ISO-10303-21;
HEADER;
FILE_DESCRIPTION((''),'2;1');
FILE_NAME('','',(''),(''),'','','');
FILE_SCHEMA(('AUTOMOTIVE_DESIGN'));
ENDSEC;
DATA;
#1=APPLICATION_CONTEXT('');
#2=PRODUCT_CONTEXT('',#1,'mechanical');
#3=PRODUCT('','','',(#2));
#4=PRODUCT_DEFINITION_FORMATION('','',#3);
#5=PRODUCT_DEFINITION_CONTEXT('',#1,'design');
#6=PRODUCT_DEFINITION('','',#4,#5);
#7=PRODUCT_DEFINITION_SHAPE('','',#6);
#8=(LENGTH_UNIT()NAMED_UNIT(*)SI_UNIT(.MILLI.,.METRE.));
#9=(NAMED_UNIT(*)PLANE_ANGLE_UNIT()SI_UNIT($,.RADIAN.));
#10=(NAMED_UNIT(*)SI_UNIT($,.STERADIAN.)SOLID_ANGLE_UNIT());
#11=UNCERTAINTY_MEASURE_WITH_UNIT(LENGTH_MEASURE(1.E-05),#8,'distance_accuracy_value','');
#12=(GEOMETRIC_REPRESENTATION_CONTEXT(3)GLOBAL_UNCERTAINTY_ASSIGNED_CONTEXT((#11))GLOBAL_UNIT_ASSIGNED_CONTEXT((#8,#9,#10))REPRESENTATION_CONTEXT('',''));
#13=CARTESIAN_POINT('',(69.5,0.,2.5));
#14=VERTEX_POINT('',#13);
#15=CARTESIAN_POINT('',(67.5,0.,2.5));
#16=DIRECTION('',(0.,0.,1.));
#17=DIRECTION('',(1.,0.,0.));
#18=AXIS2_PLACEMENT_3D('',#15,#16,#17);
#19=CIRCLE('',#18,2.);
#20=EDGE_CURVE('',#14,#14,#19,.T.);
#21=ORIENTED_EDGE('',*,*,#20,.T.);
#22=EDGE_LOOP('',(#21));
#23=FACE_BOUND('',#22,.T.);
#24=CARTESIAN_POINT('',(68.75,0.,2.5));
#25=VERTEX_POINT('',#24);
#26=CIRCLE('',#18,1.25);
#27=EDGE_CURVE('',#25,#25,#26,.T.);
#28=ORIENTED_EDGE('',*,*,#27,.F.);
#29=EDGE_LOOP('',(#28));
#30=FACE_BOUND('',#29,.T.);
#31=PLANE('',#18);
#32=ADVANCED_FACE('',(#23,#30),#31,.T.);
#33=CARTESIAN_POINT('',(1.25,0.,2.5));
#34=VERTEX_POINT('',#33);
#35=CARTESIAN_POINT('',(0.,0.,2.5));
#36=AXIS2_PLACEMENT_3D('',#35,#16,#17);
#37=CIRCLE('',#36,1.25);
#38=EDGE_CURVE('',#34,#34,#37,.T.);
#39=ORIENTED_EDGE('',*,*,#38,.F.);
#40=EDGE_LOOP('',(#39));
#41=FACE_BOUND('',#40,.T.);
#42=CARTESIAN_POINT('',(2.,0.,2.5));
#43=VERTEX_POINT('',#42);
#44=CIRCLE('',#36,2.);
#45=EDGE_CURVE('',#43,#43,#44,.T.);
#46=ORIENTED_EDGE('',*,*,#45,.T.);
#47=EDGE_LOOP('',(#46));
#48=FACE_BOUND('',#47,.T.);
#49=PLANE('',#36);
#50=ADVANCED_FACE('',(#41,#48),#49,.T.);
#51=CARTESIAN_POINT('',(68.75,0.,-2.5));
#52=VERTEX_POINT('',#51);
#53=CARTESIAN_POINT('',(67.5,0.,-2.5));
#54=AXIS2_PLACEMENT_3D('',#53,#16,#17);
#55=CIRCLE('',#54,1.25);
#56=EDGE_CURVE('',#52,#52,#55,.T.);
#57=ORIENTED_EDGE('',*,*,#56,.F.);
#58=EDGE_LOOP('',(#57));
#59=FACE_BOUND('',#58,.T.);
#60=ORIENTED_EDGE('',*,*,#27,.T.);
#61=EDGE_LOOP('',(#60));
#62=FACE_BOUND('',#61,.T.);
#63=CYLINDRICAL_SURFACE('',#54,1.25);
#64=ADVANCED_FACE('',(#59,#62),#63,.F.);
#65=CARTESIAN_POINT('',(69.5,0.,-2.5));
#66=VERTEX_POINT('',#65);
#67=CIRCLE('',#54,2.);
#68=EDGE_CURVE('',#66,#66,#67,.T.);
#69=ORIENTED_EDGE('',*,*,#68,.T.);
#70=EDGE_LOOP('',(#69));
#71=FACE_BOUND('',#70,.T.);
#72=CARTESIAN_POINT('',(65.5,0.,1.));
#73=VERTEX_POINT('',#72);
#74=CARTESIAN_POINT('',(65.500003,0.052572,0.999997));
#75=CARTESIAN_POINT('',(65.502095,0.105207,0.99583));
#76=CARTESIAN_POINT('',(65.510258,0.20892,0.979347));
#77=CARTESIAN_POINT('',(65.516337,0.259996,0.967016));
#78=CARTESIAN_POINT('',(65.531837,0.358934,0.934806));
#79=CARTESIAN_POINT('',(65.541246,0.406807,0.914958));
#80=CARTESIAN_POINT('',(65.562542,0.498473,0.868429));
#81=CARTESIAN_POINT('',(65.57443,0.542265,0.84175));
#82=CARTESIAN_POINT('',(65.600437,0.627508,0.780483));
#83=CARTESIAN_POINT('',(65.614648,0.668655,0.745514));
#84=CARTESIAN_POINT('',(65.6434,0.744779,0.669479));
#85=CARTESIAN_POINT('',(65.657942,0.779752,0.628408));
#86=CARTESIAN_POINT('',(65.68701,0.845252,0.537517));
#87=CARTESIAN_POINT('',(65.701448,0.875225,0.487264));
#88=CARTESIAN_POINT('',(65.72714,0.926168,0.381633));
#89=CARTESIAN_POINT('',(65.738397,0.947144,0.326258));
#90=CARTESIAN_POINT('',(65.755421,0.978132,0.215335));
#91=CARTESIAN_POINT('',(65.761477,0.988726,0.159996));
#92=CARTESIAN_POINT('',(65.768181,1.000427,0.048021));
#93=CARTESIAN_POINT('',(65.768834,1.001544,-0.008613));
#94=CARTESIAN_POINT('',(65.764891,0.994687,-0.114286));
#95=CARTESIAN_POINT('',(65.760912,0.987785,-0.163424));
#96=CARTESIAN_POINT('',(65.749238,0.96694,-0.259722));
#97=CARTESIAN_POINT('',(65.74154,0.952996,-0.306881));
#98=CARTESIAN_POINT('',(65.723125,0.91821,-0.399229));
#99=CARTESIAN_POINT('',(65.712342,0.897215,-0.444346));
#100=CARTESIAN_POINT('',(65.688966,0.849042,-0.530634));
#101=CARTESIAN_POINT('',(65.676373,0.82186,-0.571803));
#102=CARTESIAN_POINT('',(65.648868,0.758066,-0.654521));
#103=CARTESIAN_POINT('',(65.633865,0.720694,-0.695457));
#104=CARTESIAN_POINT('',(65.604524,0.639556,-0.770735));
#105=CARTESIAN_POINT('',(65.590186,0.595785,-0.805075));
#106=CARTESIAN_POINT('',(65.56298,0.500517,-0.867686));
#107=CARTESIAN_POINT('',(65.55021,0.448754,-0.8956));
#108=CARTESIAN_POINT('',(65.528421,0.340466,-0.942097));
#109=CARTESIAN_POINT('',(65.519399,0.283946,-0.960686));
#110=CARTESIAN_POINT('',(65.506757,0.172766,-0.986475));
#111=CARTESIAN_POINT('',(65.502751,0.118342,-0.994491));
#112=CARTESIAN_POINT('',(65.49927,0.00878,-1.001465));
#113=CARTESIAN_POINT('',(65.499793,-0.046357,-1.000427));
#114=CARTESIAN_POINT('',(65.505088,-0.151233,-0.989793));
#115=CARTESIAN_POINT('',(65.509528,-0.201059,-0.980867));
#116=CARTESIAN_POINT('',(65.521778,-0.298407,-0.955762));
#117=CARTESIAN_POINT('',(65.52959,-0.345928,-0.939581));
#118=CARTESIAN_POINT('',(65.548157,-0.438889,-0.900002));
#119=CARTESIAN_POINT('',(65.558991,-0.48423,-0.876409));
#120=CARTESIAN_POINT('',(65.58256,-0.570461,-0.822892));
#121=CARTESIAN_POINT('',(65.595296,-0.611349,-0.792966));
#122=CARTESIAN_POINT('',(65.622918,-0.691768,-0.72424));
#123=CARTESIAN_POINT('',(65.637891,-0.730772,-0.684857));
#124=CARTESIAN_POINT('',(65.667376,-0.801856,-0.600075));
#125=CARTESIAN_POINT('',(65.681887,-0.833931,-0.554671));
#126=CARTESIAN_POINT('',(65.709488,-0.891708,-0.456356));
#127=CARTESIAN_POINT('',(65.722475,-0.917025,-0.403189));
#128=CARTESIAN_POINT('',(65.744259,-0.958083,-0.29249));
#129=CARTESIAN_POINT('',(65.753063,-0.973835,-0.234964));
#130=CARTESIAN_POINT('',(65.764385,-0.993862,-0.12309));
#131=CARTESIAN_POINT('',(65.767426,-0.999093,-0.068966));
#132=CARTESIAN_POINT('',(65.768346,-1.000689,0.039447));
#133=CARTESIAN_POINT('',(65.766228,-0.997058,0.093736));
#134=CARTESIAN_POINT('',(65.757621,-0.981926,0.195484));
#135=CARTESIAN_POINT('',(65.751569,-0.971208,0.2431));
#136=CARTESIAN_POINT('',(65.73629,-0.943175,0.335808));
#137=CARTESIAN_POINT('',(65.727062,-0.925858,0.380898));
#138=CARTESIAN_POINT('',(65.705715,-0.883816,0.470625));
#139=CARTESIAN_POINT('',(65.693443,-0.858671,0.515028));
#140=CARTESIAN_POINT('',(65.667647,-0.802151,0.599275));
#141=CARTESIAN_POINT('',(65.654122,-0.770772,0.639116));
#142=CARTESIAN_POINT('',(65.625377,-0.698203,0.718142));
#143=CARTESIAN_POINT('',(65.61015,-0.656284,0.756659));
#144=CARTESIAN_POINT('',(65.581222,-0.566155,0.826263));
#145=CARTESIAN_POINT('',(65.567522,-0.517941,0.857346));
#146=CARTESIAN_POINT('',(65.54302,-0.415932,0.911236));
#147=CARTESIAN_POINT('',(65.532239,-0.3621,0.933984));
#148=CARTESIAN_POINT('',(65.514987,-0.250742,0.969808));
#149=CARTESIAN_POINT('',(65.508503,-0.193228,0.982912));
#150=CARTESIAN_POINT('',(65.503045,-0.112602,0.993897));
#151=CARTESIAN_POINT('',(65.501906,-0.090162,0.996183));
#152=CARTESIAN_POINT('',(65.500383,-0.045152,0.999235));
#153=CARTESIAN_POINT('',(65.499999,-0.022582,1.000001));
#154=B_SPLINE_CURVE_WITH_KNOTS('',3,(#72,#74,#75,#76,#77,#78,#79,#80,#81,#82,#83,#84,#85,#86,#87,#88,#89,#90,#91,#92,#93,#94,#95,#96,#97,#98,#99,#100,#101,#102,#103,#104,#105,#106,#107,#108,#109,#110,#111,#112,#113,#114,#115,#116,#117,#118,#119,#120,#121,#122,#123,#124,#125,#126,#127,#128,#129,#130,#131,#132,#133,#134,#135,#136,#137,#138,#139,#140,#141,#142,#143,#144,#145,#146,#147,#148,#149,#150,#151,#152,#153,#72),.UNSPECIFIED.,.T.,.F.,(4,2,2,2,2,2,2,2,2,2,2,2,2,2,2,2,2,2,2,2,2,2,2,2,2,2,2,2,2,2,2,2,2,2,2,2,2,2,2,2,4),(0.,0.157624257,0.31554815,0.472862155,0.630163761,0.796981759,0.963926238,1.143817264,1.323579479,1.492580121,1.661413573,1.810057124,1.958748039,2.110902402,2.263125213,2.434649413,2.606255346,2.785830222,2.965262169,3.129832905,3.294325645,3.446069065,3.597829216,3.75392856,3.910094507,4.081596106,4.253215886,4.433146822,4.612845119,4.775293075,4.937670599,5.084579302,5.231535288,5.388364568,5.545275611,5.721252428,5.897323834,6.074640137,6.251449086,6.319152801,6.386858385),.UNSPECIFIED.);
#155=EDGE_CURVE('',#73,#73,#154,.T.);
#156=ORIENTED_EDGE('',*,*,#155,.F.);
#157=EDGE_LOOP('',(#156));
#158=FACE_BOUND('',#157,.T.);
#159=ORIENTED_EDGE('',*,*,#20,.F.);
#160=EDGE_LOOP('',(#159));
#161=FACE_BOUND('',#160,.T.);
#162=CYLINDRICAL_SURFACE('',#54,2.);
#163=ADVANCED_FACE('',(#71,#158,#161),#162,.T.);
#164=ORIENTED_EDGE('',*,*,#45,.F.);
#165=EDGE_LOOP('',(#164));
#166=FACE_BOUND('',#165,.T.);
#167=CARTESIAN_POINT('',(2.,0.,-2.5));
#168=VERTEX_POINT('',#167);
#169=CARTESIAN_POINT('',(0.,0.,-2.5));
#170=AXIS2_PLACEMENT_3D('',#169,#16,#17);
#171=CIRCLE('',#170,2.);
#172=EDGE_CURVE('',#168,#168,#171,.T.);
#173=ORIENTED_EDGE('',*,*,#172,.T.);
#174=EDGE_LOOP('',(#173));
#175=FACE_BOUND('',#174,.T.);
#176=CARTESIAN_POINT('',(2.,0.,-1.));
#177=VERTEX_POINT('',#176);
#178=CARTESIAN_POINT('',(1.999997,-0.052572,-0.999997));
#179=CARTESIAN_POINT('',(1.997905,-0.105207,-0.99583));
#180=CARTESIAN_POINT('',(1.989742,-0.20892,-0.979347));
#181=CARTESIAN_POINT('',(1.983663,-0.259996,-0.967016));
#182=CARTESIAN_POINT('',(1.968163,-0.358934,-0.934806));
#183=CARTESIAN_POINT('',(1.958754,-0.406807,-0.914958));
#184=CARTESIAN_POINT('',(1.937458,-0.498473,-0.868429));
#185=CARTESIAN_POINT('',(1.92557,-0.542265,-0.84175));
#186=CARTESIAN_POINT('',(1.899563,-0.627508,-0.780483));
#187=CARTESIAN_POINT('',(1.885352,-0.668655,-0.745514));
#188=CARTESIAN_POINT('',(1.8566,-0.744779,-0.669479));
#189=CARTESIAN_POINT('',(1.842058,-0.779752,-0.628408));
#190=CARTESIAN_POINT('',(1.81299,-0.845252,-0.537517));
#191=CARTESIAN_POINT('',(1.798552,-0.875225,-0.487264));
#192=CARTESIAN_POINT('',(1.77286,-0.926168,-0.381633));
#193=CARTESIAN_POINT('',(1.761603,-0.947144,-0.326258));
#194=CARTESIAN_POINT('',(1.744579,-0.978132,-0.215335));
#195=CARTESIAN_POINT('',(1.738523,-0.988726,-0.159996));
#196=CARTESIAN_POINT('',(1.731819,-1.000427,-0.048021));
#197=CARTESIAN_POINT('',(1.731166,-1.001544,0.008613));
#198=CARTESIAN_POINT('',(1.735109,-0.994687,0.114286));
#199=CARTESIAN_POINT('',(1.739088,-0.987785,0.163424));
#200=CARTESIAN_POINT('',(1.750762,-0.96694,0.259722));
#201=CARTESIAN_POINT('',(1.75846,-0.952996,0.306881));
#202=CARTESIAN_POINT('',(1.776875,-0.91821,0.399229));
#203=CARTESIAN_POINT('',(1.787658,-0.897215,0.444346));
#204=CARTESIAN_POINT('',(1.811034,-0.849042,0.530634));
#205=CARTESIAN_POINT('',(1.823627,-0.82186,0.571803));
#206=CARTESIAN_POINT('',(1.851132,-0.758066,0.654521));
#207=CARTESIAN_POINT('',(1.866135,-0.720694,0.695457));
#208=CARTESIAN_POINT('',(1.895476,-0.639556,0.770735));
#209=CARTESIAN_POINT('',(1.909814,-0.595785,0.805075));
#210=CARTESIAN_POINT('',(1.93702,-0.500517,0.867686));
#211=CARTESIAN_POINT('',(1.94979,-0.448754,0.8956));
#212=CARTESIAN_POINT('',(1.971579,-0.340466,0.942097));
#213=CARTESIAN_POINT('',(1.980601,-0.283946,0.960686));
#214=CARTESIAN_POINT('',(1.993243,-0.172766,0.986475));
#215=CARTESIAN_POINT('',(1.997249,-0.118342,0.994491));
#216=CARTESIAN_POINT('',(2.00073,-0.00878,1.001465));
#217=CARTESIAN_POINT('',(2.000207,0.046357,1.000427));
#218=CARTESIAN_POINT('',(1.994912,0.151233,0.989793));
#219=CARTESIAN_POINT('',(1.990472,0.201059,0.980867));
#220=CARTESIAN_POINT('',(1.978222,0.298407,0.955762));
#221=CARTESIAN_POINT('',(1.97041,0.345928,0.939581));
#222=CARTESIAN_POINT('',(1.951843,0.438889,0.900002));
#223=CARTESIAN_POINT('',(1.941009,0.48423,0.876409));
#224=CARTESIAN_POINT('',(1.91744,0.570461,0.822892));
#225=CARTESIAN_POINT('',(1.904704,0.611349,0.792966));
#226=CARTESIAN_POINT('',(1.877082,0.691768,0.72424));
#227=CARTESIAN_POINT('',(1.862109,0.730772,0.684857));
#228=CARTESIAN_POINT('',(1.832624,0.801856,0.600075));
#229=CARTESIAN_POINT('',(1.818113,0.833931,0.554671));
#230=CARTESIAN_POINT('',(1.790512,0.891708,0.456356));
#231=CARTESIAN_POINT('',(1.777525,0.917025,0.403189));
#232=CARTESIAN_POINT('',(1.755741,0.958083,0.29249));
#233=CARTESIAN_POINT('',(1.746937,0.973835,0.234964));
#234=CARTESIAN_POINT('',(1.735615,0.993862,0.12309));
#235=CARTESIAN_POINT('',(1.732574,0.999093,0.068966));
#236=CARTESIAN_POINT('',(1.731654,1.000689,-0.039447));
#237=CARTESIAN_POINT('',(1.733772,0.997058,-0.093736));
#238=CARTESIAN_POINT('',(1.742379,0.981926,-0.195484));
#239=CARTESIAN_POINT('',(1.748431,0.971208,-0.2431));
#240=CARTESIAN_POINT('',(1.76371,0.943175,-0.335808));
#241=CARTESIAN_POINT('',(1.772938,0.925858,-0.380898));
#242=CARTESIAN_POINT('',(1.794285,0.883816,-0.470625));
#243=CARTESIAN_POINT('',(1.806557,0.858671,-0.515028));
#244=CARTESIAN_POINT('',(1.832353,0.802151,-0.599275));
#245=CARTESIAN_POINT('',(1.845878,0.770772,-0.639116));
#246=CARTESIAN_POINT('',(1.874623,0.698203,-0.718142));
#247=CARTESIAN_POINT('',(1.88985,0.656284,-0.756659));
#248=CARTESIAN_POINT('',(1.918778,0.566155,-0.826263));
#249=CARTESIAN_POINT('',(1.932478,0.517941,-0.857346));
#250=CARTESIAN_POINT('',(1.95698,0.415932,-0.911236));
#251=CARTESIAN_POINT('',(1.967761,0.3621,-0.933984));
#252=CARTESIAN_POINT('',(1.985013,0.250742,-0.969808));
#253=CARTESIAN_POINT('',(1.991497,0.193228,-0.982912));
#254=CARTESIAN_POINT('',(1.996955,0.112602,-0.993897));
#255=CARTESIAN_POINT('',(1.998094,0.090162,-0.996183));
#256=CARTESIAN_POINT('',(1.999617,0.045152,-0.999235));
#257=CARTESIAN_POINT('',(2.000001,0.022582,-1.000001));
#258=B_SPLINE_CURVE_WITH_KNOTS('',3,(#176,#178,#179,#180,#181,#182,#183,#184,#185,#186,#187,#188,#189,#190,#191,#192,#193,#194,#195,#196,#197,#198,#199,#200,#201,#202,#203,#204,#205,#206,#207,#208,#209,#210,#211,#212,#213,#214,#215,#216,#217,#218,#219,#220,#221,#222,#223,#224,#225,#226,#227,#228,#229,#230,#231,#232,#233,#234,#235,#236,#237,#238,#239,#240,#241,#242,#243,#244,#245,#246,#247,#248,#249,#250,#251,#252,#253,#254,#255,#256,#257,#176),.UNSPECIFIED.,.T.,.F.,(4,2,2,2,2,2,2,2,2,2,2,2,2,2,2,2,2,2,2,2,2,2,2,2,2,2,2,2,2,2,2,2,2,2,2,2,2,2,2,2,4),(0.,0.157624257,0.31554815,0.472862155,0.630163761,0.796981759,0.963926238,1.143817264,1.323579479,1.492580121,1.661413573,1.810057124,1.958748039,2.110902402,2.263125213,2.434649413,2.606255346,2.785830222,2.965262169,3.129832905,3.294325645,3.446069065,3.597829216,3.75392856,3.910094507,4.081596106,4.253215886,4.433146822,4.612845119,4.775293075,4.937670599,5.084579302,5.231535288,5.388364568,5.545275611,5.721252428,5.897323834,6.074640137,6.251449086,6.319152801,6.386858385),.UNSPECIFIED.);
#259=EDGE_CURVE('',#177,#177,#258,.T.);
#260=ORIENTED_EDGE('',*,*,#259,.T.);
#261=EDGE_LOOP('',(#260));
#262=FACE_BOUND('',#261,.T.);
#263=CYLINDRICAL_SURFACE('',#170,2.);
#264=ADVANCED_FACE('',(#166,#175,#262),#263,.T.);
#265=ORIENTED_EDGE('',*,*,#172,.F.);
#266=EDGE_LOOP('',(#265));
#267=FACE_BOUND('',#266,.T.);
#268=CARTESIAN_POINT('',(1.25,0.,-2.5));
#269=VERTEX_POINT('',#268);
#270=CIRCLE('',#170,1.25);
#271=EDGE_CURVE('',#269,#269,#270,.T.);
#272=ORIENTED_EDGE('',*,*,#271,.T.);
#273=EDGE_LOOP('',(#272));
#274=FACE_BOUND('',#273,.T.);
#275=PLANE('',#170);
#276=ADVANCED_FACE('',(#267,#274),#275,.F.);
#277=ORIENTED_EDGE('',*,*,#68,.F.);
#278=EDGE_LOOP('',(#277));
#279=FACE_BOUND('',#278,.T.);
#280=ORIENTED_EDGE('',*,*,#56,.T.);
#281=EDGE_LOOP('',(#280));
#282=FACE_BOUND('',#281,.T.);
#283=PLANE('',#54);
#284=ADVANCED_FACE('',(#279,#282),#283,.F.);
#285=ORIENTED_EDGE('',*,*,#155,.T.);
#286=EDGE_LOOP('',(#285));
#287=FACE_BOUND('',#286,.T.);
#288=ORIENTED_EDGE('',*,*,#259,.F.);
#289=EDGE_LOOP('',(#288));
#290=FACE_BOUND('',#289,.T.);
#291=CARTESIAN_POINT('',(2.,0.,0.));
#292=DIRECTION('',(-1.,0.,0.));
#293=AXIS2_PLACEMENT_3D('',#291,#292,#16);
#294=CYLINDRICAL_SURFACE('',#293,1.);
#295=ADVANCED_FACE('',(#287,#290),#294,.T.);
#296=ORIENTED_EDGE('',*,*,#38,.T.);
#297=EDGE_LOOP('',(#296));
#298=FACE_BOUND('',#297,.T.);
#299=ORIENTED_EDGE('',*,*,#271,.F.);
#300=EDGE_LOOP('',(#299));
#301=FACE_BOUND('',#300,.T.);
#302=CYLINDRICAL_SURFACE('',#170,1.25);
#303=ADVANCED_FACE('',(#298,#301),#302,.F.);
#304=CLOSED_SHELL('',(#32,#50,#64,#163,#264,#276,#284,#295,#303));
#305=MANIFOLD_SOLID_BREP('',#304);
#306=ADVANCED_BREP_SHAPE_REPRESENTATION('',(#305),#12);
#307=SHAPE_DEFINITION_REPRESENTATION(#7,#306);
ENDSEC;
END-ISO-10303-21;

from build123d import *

# Parameters (mm, degrees)
BOSS_EXTRUDE1_DEPTH        = 2.5
BOSS_EXTRUDE1_DEPTH_BACK   = 2.5
SKETCH1_R                  = 2
SKETCH1_R_2                = 1.25
BOSS_EXTRUDE1_2_DEPTH      = 2.5
BOSS_EXTRUDE1_2_DEPTH_BACK = 2.5


with BuildPart() as part:
    # Sketch1 → Boss-Extrude1 (new, two sides: drawn at the far end of the back side and taken through both)
    with BuildSketch(Plane.XY.offset(-BOSS_EXTRUDE1_DEPTH_BACK)):
        Circle(SKETCH1_R)
        Circle(SKETCH1_R_2, mode=Mode.SUBTRACT)
    extrude(amount=BOSS_EXTRUDE1_DEPTH + BOSS_EXTRUDE1_DEPTH_BACK)



with BuildPart() as body_2:
    # Sketch1 → Boss-Extrude1 2 (new, two sides: drawn at the far end of the back side and taken through both)
    with BuildSketch(Plane.XY.offset(-BOSS_EXTRUDE1_2_DEPTH_BACK)):
        with Locations((67.5, 0)):
            Circle(SKETCH1_R)
        with Locations((67.5, 0)):
            Circle(SKETCH1_R_2, mode=Mode.SUBTRACT)
    extrude(amount=BOSS_EXTRUDE1_2_DEPTH + BOSS_EXTRUDE1_2_DEPTH_BACK)


with BuildPart() as part_1:
    add(part.part)

    add(body_2.part)  # Revolve3 merges body 2
    # Sketch2 → Revolve3 (revolve)
    with BuildSketch(Plane.XY):
        with BuildLine():
            ThreePointArc((65.5, 0), (65.568148347, 0.51763809), (65.767949192, 1))
            Line((65.767949192, 1), (1.732050808, 1))
            ThreePointArc((1.732050808, 1), (1.931851653, 0.51763809), (2, 0))
            Line((2, 0), (2.240774351, 0))
            Line((2.240774351, 0), (65.5, 0))
        make_face()
    revolve(axis=Axis((2, 0, 0), (1, 0, 0)))


solid = part_1.part
